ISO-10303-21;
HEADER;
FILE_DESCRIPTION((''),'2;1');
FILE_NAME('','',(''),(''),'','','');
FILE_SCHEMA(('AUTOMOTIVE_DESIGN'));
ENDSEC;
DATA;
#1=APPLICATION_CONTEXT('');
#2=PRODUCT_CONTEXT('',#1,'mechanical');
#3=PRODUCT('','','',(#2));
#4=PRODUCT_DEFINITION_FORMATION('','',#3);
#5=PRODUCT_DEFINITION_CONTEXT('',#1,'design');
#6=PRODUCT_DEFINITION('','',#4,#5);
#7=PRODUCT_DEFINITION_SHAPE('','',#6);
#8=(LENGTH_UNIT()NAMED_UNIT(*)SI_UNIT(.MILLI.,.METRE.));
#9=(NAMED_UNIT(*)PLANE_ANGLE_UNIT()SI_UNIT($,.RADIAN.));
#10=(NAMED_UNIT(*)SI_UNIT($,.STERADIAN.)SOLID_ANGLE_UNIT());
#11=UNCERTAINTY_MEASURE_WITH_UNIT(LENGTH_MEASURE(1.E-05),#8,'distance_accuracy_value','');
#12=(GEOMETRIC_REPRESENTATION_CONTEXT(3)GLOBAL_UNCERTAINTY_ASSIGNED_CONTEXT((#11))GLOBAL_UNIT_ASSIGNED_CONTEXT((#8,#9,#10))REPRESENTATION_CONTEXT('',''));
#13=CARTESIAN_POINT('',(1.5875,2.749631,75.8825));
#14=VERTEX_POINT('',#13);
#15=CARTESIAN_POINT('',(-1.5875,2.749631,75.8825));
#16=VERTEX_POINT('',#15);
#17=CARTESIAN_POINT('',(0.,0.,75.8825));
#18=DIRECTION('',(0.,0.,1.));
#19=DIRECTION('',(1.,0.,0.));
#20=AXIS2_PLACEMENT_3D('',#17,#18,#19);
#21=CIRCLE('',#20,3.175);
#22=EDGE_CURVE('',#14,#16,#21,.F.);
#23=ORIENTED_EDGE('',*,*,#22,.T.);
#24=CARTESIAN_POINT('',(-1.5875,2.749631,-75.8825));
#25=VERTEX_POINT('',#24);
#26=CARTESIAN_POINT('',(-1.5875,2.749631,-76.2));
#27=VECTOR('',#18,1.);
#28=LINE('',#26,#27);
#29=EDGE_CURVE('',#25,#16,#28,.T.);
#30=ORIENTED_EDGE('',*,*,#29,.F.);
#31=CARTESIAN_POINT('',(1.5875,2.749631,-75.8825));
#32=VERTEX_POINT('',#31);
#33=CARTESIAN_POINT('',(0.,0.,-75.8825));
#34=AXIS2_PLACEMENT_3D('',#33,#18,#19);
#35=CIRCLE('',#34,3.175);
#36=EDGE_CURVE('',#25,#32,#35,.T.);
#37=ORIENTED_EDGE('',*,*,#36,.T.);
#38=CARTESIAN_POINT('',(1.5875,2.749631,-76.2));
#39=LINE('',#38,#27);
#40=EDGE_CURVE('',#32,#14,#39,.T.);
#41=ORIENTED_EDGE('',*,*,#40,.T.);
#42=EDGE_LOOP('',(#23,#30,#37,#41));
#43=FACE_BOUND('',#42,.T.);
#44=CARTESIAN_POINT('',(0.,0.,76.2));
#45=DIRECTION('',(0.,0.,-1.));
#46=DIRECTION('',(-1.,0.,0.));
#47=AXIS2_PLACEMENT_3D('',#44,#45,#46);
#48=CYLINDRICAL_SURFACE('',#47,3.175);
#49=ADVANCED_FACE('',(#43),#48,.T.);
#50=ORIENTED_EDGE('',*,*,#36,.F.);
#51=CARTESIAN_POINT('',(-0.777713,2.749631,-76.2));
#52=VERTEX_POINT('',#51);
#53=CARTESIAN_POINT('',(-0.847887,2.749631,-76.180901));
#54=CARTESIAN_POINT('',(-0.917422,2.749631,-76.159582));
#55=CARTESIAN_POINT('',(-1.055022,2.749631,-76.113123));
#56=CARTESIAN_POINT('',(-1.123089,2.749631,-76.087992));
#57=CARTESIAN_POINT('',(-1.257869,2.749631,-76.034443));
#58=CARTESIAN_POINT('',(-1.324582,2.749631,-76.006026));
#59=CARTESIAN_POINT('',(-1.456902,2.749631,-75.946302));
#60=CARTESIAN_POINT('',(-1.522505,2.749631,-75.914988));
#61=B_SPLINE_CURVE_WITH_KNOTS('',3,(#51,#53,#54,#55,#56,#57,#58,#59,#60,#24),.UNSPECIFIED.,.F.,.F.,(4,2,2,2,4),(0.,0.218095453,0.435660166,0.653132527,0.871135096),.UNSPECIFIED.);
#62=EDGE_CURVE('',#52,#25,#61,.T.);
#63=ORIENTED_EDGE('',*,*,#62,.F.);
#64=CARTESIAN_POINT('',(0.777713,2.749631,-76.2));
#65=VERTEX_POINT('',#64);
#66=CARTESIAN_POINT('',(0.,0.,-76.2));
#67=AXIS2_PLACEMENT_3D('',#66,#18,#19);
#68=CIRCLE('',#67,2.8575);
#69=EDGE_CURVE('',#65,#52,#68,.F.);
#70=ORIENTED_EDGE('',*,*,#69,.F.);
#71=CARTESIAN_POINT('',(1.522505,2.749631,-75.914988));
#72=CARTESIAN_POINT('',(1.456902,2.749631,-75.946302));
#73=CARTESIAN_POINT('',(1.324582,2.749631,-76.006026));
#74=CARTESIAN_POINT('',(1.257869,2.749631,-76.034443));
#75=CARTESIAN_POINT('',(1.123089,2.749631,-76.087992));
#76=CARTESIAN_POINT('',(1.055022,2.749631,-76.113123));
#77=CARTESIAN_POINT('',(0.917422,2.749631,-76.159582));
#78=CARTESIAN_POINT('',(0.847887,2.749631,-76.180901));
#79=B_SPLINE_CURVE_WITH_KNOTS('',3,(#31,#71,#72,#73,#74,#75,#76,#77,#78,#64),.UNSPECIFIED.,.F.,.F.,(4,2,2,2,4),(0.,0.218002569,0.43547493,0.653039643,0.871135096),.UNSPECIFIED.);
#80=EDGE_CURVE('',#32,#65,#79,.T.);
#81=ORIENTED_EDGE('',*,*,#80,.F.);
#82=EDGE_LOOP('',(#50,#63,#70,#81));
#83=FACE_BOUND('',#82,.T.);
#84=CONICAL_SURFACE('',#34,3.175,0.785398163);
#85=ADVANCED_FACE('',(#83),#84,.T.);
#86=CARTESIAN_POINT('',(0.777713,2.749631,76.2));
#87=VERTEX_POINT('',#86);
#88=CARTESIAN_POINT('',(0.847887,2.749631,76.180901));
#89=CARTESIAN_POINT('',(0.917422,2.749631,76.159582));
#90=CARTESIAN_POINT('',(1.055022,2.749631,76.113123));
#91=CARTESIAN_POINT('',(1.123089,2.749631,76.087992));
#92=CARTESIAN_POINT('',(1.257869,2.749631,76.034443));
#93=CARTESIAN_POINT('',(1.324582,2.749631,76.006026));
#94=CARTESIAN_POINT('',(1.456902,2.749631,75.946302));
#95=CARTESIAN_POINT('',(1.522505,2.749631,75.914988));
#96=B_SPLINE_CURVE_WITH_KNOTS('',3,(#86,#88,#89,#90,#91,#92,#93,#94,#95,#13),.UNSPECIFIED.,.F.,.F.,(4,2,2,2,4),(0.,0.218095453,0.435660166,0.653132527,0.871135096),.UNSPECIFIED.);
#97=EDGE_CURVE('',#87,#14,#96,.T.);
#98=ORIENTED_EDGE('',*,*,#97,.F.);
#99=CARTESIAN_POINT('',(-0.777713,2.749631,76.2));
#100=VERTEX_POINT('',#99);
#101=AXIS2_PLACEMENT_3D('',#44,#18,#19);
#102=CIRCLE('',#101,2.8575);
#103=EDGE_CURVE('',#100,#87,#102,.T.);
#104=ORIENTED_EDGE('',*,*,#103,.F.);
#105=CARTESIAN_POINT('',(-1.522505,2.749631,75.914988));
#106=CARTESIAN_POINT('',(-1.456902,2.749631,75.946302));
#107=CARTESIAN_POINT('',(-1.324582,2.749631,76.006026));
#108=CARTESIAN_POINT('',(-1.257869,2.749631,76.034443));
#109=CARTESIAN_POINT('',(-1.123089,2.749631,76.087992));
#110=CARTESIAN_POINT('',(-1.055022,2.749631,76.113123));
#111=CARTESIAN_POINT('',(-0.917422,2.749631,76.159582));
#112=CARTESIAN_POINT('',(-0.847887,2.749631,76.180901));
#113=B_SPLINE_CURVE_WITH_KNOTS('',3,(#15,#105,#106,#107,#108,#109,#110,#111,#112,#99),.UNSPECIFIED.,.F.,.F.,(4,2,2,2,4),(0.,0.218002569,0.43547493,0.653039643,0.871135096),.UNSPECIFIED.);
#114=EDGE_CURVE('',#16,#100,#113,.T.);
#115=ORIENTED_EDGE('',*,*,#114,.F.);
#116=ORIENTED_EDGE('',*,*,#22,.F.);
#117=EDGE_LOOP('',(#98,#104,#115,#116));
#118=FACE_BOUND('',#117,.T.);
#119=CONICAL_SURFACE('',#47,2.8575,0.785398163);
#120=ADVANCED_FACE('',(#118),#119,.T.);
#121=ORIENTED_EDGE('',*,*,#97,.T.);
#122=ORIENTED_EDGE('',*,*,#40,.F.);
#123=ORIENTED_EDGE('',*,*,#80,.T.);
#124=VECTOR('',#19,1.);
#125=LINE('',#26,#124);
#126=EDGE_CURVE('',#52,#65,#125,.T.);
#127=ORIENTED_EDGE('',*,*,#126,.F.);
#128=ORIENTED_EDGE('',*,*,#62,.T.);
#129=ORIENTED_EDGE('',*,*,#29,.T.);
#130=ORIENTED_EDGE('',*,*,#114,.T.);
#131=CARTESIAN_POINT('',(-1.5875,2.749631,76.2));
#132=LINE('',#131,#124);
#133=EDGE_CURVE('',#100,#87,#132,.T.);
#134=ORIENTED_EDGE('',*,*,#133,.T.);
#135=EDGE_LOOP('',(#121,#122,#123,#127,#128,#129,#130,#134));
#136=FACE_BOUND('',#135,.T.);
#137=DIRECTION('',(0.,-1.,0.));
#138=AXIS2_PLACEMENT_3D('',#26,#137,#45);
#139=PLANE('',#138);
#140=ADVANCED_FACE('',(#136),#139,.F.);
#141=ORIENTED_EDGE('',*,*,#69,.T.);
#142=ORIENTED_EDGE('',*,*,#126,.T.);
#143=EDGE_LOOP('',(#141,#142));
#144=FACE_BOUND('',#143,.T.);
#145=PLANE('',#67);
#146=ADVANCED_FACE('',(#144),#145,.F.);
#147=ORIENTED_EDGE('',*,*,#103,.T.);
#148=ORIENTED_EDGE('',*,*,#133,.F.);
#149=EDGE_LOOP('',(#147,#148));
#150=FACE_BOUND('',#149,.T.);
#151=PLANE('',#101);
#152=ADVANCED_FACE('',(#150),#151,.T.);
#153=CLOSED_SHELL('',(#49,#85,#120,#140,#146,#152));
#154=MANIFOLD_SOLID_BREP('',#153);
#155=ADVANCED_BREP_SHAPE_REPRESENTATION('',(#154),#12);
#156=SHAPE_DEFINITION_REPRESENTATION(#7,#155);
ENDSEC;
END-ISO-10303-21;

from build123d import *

# Parameters (mm, degrees)
BOSS_EXTRUDE2_DEPTH      = 76.2
BOSS_EXTRUDE2_DEPTH_BACK = 76.2
SKETCH3_R                = 3.175
CUT_EXTRUDE5_DEPTH       = 77.332177029
CUT_EXTRUDE5_DEPTH_BACK  = 77.332177029
CHAMFER1_SIZE            = 0.3175


with BuildPart() as part:
    # Sketch3 → Boss-Extrude2 (new, two sides: drawn at the far end of the back side and taken through both)
    with BuildSketch(Plane.XY.offset(-BOSS_EXTRUDE2_DEPTH_BACK)):
        with Locations(Location((0, 0, 0), (0, 0, 180))):
            Circle(SKETCH3_R)
    extrude(amount=BOSS_EXTRUDE2_DEPTH + BOSS_EXTRUDE2_DEPTH_BACK)

    # Sketch10 → Cut-Extrude5 (cut, two sides: drawn at the far end of the back side and taken through both)
    with BuildSketch(Plane.XY.offset(-CUT_EXTRUDE5_DEPTH_BACK)):
        with BuildLine():
            Line((-1.5875, 2.749630657), (1.5875, 2.749630657))
            ThreePointArc((1.5875, 2.749630657), (0, 3.175), (-1.5875, 2.749630657))
        make_face()
    extrude(amount=CUT_EXTRUDE5_DEPTH + CUT_EXTRUDE5_DEPTH_BACK, mode=Mode.SUBTRACT)

    # Chamfer1
    chamfer1_edges = [part.edges().sort_by_distance(p)[0] for p in [
        (0, -3.175, -76.2),
        (0, -3.175, 76.2),
    ]]
    chamfer(chamfer1_edges, length=CHAMFER1_SIZE)


solid = part.part
